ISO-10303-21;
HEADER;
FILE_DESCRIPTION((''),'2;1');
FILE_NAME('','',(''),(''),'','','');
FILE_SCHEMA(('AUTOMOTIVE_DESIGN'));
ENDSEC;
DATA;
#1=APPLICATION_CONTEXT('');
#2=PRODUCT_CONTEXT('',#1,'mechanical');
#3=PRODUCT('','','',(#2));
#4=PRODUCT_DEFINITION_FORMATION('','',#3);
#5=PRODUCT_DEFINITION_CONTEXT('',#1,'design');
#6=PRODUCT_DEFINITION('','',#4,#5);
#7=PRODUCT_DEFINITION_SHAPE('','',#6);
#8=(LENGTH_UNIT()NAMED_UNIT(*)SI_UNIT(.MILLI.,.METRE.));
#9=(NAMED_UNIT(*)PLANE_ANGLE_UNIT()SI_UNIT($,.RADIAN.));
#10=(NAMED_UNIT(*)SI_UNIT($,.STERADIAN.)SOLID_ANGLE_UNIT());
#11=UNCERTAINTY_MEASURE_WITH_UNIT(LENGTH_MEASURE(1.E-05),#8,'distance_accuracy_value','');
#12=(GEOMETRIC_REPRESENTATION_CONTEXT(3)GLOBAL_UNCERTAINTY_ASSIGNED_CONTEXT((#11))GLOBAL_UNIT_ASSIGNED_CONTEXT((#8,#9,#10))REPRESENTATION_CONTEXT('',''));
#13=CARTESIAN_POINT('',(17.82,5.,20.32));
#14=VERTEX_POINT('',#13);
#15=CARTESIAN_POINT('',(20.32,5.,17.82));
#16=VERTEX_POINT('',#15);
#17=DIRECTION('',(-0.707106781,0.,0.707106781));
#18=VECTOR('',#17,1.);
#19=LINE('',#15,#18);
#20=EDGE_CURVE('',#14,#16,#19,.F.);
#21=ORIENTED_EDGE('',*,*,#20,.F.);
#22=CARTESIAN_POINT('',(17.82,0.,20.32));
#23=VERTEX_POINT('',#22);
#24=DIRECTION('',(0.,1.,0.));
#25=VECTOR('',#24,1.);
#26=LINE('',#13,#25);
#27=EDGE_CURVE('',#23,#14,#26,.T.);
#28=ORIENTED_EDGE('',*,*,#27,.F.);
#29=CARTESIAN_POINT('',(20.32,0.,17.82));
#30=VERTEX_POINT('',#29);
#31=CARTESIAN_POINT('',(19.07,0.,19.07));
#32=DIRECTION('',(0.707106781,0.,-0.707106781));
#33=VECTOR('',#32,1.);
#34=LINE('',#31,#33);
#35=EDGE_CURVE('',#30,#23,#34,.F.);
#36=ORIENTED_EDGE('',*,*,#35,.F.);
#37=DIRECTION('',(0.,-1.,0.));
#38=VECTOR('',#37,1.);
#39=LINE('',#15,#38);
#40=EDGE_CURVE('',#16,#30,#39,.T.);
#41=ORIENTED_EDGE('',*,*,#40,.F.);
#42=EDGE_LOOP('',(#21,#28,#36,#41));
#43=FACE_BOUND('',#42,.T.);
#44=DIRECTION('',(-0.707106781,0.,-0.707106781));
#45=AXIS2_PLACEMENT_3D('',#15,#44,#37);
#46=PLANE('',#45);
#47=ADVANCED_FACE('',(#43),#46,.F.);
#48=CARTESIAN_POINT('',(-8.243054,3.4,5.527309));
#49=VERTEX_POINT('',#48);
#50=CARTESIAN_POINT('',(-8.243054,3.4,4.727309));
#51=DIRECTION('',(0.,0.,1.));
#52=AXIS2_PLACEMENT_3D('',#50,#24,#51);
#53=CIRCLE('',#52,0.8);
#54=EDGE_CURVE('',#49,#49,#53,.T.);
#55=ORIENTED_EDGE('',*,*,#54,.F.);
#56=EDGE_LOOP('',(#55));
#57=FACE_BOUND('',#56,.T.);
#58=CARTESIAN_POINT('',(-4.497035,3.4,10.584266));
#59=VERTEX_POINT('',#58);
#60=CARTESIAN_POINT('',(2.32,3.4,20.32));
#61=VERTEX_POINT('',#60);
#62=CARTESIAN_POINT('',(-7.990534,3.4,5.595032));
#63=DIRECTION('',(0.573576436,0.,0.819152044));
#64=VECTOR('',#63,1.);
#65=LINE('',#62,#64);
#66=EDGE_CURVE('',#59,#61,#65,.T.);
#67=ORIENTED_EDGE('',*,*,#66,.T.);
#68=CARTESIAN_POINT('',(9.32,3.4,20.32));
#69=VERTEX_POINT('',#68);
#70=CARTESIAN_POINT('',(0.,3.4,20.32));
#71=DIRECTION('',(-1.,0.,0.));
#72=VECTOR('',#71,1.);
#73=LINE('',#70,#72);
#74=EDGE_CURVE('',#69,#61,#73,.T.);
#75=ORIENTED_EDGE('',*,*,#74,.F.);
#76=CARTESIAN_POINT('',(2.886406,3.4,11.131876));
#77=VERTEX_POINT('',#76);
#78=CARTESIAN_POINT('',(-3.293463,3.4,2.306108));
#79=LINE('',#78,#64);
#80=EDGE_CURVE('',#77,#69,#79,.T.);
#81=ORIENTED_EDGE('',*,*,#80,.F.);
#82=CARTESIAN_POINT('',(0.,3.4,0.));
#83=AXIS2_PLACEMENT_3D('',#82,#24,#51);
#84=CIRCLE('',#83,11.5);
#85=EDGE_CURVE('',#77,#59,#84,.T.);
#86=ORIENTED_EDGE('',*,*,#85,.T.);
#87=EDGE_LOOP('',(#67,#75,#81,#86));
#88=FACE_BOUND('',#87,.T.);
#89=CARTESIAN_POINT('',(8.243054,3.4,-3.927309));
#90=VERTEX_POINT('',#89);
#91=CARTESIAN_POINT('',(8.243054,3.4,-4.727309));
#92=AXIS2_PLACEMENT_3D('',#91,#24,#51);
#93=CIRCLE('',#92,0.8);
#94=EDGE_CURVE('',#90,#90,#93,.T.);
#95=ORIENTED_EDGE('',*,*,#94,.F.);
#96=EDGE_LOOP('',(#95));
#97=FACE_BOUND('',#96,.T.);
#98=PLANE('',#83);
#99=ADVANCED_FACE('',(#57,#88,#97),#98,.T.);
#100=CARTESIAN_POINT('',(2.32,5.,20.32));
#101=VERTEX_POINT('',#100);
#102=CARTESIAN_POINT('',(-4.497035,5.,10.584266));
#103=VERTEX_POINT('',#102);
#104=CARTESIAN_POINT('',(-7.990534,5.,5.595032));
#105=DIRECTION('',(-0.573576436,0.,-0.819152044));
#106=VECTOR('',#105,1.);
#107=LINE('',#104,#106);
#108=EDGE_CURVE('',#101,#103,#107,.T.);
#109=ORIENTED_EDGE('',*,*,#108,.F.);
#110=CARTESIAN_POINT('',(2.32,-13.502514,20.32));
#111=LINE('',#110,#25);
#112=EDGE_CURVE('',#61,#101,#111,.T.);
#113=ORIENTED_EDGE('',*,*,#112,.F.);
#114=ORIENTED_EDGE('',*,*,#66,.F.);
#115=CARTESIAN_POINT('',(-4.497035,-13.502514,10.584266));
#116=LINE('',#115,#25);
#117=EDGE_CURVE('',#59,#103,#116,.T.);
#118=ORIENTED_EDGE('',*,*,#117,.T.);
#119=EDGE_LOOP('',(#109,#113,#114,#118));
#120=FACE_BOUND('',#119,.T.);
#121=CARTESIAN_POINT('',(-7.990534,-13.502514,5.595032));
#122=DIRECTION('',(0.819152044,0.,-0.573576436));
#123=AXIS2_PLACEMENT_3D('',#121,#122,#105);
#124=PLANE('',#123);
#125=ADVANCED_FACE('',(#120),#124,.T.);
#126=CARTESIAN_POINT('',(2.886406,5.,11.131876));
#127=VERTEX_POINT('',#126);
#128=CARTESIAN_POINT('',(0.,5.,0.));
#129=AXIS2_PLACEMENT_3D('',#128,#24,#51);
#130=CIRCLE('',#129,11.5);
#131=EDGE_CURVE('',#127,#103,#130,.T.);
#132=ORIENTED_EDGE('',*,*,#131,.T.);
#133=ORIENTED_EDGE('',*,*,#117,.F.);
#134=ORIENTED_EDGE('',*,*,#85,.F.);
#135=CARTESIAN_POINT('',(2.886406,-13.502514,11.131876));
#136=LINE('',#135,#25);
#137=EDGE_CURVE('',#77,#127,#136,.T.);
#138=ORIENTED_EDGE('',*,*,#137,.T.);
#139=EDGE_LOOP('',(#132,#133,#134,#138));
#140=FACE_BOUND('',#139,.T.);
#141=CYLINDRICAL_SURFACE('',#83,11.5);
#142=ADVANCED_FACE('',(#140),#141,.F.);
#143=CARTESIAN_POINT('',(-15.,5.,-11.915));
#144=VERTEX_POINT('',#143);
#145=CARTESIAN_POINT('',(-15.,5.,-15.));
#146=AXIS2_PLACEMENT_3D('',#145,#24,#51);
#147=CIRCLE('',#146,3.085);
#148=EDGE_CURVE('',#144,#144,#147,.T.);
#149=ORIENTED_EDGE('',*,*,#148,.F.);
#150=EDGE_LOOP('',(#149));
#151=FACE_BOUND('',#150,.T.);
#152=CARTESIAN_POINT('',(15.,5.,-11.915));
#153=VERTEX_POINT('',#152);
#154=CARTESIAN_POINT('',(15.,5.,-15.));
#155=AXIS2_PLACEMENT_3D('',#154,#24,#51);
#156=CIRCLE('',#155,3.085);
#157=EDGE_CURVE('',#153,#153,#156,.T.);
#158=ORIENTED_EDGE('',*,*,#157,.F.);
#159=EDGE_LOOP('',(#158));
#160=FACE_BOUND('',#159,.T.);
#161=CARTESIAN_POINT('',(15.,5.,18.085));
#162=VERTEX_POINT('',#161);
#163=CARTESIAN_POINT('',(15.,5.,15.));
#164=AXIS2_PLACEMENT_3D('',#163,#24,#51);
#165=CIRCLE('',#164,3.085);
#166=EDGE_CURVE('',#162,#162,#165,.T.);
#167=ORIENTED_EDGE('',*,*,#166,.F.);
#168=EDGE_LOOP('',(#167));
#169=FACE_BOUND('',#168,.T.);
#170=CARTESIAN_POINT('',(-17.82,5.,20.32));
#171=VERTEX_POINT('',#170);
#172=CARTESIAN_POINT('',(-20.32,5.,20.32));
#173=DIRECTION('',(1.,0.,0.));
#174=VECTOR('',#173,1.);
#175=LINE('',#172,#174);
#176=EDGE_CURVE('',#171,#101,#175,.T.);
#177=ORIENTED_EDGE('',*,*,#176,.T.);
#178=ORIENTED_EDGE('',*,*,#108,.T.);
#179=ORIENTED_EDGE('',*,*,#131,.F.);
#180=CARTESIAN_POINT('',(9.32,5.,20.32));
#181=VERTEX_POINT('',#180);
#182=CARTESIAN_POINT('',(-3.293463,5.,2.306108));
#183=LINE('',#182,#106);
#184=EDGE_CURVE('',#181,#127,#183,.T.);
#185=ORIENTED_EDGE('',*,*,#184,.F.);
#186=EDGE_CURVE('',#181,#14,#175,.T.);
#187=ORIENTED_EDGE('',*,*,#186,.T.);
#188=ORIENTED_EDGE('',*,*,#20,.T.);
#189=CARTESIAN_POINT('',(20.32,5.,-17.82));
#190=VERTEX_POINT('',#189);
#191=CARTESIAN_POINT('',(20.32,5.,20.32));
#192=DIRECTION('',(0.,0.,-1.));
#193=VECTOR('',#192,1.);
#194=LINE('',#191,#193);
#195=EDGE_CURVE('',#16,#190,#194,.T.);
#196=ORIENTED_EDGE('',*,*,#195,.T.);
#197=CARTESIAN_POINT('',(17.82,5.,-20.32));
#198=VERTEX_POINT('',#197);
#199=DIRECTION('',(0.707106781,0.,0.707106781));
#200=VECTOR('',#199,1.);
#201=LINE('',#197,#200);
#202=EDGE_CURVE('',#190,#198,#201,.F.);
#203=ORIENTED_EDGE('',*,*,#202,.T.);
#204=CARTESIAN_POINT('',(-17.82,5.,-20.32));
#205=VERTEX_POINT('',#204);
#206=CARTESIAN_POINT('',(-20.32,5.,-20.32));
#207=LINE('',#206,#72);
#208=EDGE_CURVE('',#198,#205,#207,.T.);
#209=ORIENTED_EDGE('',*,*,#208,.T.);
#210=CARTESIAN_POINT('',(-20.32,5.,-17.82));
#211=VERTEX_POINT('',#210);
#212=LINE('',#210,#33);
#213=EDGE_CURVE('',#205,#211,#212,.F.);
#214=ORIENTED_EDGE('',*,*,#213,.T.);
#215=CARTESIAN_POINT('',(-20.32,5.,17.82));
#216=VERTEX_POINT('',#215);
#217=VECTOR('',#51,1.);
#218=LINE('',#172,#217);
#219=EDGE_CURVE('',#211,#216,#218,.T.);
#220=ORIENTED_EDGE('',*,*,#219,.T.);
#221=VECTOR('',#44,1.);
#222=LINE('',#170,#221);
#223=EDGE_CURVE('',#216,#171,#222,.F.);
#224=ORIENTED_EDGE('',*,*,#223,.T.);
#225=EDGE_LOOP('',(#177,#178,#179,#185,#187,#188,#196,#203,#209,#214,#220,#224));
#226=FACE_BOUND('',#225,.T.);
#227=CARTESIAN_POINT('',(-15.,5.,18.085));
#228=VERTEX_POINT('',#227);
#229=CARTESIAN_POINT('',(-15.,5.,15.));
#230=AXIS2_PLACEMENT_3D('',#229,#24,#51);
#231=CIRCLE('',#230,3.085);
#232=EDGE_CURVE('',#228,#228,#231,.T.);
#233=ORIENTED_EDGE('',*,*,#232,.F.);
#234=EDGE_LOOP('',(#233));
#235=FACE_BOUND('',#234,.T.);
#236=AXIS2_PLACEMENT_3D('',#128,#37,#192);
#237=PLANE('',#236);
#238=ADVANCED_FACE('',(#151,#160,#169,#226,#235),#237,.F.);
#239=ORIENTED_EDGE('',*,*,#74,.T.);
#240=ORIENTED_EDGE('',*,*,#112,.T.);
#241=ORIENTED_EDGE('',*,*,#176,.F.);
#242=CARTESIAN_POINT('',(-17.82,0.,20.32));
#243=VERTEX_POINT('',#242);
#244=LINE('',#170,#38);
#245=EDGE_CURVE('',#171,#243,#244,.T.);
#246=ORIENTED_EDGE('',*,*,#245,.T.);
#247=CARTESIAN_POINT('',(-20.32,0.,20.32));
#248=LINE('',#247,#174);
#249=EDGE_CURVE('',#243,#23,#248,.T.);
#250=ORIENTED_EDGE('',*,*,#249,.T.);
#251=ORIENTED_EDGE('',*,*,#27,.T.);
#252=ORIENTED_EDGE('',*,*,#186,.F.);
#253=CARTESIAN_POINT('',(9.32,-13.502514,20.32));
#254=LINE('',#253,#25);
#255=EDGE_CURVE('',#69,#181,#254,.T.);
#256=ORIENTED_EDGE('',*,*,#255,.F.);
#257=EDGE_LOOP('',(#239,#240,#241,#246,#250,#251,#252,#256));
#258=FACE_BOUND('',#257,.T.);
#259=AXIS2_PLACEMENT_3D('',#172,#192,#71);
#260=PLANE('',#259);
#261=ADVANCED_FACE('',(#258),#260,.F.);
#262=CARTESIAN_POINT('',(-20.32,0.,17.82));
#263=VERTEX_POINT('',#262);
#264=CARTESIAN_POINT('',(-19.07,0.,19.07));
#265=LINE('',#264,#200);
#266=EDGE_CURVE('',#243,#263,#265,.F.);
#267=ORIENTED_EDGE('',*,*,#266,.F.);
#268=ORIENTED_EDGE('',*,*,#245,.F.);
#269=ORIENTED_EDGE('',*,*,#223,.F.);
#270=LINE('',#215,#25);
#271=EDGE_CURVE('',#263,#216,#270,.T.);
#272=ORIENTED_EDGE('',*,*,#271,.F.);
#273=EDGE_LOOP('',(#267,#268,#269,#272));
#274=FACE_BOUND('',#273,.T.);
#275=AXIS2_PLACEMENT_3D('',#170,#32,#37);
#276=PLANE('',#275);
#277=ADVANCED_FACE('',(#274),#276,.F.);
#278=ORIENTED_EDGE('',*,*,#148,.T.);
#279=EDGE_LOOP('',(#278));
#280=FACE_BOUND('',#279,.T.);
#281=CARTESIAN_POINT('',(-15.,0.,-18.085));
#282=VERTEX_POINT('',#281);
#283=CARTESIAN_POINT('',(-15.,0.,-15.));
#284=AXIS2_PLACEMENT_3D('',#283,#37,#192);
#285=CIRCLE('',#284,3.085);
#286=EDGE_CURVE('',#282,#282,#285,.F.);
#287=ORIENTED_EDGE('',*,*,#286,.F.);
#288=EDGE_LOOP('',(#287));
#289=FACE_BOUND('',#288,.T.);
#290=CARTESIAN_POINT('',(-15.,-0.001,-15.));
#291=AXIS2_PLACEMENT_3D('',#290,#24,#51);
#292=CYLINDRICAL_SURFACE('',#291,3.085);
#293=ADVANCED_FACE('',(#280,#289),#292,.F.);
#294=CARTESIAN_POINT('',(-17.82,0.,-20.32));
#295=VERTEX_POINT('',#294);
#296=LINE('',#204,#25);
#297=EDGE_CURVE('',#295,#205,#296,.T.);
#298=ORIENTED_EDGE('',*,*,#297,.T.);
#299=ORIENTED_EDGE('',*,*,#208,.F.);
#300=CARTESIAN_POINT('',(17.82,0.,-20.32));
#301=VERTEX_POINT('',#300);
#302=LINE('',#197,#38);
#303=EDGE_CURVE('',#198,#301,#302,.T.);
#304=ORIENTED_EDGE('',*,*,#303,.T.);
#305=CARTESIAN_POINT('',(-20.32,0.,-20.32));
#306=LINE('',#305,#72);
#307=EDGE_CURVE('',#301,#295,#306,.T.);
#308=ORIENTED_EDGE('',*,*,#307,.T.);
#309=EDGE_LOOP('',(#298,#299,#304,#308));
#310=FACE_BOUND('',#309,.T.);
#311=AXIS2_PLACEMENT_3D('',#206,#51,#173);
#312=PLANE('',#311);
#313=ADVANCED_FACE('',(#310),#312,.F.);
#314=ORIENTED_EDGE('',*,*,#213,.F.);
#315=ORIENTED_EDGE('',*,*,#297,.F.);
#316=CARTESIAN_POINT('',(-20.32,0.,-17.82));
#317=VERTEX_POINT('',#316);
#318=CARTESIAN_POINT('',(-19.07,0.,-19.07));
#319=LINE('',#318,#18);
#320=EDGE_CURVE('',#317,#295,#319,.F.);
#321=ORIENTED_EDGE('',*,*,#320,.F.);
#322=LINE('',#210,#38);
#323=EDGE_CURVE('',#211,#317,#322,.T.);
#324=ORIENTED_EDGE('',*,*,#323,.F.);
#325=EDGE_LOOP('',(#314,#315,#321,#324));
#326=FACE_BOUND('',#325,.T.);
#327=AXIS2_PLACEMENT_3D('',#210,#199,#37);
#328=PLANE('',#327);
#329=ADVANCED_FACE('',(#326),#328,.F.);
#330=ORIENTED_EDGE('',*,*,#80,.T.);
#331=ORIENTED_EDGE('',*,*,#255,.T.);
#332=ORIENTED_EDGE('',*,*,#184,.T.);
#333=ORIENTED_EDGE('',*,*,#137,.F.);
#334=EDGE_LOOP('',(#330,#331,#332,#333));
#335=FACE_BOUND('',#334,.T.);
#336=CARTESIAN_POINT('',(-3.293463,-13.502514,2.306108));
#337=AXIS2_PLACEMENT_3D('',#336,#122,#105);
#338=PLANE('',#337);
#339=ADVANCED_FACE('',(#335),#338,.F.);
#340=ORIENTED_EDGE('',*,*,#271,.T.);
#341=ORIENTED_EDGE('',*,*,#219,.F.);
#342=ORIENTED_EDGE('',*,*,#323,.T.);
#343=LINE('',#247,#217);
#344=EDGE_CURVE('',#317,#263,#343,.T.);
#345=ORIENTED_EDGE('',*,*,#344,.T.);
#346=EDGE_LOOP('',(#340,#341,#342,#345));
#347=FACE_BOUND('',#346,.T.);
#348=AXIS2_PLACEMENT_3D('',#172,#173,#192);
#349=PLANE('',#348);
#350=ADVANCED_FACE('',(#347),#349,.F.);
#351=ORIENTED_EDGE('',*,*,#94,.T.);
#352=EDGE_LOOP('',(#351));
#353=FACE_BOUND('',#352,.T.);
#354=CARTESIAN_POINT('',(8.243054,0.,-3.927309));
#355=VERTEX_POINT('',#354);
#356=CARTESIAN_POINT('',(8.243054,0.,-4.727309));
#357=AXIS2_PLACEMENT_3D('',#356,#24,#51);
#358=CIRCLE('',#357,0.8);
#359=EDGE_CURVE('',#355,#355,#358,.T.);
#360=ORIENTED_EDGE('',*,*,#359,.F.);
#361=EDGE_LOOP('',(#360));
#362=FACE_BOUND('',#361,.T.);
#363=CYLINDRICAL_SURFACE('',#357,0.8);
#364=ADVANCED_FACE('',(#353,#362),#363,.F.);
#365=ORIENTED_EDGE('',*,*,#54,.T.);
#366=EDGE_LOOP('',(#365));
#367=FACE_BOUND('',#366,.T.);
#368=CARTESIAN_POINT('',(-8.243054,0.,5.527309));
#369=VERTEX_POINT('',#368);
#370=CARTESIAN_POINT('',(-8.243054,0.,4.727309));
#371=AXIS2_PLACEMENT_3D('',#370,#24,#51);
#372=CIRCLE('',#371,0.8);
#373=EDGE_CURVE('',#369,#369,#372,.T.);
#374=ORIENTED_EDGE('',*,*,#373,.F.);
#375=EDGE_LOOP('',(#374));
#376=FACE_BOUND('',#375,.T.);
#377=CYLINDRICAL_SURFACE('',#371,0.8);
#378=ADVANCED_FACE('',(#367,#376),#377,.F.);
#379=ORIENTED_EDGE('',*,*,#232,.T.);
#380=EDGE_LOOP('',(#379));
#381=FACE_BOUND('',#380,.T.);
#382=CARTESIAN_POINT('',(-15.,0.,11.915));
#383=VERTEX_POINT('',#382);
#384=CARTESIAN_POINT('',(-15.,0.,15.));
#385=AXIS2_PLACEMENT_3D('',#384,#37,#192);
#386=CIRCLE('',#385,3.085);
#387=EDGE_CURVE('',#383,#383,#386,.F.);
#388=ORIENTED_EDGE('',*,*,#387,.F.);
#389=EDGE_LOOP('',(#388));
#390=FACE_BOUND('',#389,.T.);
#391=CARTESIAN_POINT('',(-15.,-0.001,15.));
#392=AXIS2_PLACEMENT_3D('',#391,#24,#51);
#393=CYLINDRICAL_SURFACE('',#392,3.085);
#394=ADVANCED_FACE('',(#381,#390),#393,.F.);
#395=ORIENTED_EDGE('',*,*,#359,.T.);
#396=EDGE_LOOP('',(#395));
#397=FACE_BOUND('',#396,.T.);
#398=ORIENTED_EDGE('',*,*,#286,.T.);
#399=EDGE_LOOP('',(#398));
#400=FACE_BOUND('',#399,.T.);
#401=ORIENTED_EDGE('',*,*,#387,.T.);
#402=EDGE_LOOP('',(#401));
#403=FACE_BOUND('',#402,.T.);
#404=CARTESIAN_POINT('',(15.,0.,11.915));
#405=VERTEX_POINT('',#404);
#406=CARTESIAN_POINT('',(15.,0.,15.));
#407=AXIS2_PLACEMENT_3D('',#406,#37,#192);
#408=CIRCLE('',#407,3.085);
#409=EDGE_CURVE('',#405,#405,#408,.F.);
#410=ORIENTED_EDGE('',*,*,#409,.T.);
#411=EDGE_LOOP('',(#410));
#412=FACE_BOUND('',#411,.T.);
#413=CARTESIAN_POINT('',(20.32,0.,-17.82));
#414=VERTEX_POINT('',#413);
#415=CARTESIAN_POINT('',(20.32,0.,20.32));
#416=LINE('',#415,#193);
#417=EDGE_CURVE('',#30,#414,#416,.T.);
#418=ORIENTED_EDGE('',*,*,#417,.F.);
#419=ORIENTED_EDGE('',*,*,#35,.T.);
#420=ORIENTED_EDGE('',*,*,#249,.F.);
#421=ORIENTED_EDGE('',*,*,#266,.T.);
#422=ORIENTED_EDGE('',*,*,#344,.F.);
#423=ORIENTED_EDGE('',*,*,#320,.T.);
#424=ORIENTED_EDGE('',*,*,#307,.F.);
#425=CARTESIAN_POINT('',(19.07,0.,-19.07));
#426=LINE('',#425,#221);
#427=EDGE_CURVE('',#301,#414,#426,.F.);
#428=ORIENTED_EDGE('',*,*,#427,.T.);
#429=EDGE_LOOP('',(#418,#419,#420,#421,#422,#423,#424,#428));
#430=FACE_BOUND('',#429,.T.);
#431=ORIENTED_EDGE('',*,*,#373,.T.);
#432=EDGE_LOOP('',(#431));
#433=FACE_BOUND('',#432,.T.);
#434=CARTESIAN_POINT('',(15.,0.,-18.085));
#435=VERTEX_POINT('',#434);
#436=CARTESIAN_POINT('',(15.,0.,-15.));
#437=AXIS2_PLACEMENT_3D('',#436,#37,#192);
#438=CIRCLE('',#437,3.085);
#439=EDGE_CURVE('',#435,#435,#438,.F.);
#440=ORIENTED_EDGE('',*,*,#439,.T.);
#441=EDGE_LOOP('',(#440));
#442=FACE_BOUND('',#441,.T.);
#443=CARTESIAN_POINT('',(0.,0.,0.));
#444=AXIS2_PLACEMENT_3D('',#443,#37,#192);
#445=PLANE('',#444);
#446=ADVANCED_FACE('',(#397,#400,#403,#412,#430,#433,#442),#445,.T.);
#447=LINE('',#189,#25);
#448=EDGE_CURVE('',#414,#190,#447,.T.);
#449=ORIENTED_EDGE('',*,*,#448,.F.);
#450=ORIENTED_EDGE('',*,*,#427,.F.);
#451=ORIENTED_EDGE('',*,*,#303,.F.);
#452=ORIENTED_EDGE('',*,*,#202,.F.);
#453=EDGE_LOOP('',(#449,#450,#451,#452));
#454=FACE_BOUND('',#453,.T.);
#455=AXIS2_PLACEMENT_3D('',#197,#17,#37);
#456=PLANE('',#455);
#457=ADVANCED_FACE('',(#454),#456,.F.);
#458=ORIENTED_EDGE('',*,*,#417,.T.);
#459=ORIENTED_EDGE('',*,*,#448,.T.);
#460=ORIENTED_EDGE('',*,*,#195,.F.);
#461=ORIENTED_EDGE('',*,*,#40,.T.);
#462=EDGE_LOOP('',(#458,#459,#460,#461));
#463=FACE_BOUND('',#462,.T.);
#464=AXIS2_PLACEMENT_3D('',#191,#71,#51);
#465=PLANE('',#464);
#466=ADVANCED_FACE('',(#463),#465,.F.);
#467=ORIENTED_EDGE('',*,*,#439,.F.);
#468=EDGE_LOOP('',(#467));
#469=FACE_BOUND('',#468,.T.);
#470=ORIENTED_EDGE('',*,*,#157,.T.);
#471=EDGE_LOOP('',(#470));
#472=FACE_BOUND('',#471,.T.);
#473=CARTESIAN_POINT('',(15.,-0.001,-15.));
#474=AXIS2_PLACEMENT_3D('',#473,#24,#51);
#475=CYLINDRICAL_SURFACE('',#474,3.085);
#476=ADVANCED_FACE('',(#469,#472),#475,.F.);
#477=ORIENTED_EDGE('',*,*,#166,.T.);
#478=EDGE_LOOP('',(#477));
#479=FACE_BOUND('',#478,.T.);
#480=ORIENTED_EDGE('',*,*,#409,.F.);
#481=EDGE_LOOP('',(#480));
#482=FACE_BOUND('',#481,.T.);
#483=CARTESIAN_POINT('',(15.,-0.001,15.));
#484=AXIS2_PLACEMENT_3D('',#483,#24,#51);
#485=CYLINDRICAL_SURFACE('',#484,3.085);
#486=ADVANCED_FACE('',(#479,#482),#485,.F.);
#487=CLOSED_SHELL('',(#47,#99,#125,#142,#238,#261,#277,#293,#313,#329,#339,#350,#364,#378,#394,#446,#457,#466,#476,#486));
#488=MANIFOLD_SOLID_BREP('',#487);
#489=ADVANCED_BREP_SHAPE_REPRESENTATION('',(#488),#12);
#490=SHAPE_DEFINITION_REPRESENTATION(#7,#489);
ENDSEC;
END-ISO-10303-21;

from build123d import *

# Parameters (mm, degrees)
SKETCH1_W           = 40.64
SKETCH1_H           = 40.64
BOSS_EXTRUDE1_DEPTH = 5
CUT_EXTRUDE1_REACH  = 7
SKETCH2_R           = 3.085
CHAMFER1_SIZE       = 2.5
SKETCH3_R           = 11.5
CUT_EXTRUDE2_DEPTH  = 1.6
SKETCH7_R           = 0.8
CUT_EXTRUDE6_DEPTH  = 4.4
CUT_EXTRUDE7_DEPTH  = 1.6


with BuildPart() as part:
    # Sketch1 → Boss-Extrude1 (new body)
    with BuildSketch(Plane(origin=(0, 0, 0), x_dir=(1, 0, 0), z_dir=(0, 1, 0))):
        Rectangle(SKETCH1_W, SKETCH1_H)
    extrude(amount=BOSS_EXTRUDE1_DEPTH)

    # Sketch2 → Cut-Extrude1 (cut, up to next)
    with BuildSketch(Plane(origin=(0, 5, 0), x_dir=(1, 0, 0), z_dir=(0, 1, 0)), mode=Mode.PRIVATE) as cut_extrude1_sk1:
        with Locations((-15, 15)):
            Circle(SKETCH2_R)
    cut_extrude1_tool1 = extrude(cut_extrude1_sk1.sketch, amount=-CUT_EXTRUDE1_REACH, mode=Mode.PRIVATE) & part.part
    add(cut_extrude1_tool1.solids().sort_by_distance((-15, 5, -15))[0], mode=Mode.SUBTRACT)
    # Sketch2 → Cut-Extrude1 (cut, up to next)
    with BuildSketch(Plane(origin=(0, 5, 0), x_dir=(1, 0, 0), z_dir=(0, 1, 0)), mode=Mode.PRIVATE) as cut_extrude1_sk2:
        with Locations((15, 15)):
            Circle(SKETCH2_R)
    cut_extrude1_tool2 = extrude(cut_extrude1_sk2.sketch, amount=-CUT_EXTRUDE1_REACH, mode=Mode.PRIVATE) & part.part
    add(cut_extrude1_tool2.solids().sort_by_distance((15, 5, -15))[0], mode=Mode.SUBTRACT)
    # Sketch2 → Cut-Extrude1 (cut, up to next)
    with BuildSketch(Plane(origin=(0, 5, 0), x_dir=(1, 0, 0), z_dir=(0, 1, 0)), mode=Mode.PRIVATE) as cut_extrude1_sk3:
        with Locations((15, -15)):
            Circle(SKETCH2_R)
    cut_extrude1_tool3 = extrude(cut_extrude1_sk3.sketch, amount=-CUT_EXTRUDE1_REACH, mode=Mode.PRIVATE) & part.part
    add(cut_extrude1_tool3.solids().sort_by_distance((15, 5, 15))[0], mode=Mode.SUBTRACT)
    # Sketch2 → Cut-Extrude1 (cut, up to next)
    with BuildSketch(Plane(origin=(0, 5, 0), x_dir=(1, 0, 0), z_dir=(0, 1, 0)), mode=Mode.PRIVATE) as cut_extrude1_sk4:
        with Locations((-15, -15)):
            Circle(SKETCH2_R)
    cut_extrude1_tool4 = extrude(cut_extrude1_sk4.sketch, amount=-CUT_EXTRUDE1_REACH, mode=Mode.PRIVATE) & part.part
    add(cut_extrude1_tool4.solids().sort_by_distance((-15, 5, 15))[0], mode=Mode.SUBTRACT)

    # Chamfer1
    chamfer1_edges = [part.edges().sort_by_distance(p)[0] for p in [
        (20.32, 2.5, 20.32),
        (-20.32, 2.5, 20.32),
        (-20.32, 2.5, -20.32),
        (20.32, 2.5, -20.32),
    ]]
    chamfer(chamfer1_edges, length=CHAMFER1_SIZE)

    # Sketch3 → Cut-Extrude2 (cut)
    with BuildSketch(Plane(origin=(0, 5, 0), x_dir=(1, 0, 0), z_dir=(0, 1, 0))):
        Circle(SKETCH3_R)
    extrude(amount=-CUT_EXTRUDE2_DEPTH, mode=Mode.SUBTRACT)

    # Sketch7 → Cut-Extrude6 (cut, through all)
    with BuildSketch(Plane(origin=(0, 3.4, 0), x_dir=(1, 0, 0), z_dir=(0, 1, 0))):
        with Locations((-8.243053696, -4.727309167)):
            Circle(SKETCH7_R)
        with Locations((8.243053696, 4.727309167)):
            Circle(SKETCH7_R)
    extrude(amount=-CUT_EXTRUDE6_DEPTH, mode=Mode.SUBTRACT)

    # Sketch8 → Cut-Extrude7 (cut)
    with BuildSketch(Plane(origin=(0, 5, 0), x_dir=(1, 0, 0), z_dir=(0, 1, 0))):
        with BuildLine():
            ThreePointArc((2.886406189, -11.131875822), (-0.850588117, -11.468500332), (-4.497034553, -10.584265692))
            Line((-4.497034553, -10.584265692), (2.32, -20.32))
            Line((2.32, -20.32), (9.32, -20.32))
            Line((9.32, -20.32), (2.886406189, -11.131875822))
        make_face()
    extrude(amount=-CUT_EXTRUDE7_DEPTH, mode=Mode.SUBTRACT)


solid = part.part
